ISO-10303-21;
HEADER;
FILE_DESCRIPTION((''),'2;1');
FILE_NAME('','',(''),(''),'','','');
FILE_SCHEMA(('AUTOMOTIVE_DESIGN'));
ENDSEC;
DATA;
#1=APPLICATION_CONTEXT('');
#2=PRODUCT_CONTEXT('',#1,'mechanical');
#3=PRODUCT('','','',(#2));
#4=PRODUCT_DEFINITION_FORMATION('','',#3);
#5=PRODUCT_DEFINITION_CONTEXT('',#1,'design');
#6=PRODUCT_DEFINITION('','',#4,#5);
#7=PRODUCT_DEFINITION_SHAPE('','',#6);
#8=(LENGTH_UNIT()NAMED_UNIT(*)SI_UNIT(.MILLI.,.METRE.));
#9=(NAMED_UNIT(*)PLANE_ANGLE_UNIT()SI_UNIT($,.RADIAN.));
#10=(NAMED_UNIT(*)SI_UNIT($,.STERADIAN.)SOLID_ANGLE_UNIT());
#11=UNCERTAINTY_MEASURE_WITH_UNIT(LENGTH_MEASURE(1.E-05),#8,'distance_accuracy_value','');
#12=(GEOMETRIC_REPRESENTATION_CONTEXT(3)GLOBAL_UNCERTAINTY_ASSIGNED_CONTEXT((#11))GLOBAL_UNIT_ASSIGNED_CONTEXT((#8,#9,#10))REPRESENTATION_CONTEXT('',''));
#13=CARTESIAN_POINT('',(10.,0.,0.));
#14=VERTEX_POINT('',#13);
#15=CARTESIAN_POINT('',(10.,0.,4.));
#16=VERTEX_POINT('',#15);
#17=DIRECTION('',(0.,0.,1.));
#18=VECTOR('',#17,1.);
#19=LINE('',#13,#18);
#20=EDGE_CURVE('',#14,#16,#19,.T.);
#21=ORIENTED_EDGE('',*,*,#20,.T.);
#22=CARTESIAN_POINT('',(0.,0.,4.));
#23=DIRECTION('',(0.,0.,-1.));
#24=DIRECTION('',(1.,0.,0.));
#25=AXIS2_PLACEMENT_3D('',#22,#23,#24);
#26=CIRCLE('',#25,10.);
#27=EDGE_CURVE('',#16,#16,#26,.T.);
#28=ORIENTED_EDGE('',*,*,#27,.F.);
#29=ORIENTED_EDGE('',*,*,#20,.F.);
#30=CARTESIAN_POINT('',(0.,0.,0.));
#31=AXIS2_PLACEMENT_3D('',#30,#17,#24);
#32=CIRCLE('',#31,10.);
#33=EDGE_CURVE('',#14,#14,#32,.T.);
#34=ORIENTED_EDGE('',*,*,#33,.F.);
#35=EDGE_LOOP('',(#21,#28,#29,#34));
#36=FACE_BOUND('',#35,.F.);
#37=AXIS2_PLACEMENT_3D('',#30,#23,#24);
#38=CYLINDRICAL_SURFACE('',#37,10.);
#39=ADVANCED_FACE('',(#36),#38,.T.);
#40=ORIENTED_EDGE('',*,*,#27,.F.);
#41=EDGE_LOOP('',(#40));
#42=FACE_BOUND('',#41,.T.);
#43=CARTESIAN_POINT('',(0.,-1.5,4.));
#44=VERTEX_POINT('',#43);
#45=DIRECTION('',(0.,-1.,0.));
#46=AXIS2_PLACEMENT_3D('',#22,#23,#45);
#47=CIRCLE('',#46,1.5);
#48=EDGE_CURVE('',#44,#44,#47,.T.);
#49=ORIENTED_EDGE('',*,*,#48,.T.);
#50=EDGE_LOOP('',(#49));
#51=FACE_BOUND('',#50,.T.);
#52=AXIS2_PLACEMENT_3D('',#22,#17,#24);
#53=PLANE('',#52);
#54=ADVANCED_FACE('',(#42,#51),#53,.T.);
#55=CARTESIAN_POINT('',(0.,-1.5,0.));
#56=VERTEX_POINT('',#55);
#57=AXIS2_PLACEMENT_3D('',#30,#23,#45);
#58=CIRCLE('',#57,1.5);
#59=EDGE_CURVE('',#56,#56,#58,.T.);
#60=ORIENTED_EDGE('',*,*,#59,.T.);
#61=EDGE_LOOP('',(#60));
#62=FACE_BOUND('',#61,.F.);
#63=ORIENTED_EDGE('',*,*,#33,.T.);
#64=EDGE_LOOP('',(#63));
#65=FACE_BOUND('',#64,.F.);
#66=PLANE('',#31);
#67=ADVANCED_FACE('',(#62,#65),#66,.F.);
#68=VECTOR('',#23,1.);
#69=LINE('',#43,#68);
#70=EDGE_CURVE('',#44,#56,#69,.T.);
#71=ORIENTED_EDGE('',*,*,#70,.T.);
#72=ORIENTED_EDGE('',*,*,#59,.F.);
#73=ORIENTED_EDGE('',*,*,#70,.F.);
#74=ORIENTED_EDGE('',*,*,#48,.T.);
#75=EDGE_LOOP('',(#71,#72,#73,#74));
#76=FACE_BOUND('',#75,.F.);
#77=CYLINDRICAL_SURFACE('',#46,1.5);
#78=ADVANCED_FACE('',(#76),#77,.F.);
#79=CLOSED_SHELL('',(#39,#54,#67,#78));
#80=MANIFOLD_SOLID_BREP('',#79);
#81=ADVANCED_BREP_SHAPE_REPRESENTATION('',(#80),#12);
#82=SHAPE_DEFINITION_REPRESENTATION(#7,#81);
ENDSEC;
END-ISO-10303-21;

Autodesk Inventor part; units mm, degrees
ref_plane "YZ Plane" through (0, 0, 0) normal (1, 0, 0) x (0, 1, 0)
ref_plane "XZ Plane" through (0, 0, 0) normal (0, 1, 0) x (-1, 0, 0)
ref_plane "XY Plane" through (0, 0, 0) normal (0, 0, 1) x (1, 0, 0)
sketch "Skizze1" plane through (0, 0, 0) normal (0, 0, 1) x (1, 0, 0)
  line L0 (-14, 0) -> (14, 0) projected
  line L1 (0, -14) -> (0, 14) projected
  circle A0 centre (0, 0) radius 10
  dimension "d0" = 20
extrude "Extrusion1" add sketch "Skizze1" along normal blind 4
sketch "Skizze2" plane through (0, 0, 4) normal (0, 0, 1) x (1, 0, 0)
  point P0 (0, 0)
  point P1 (0, 0)
hole "Bohrung1" at (0, 0, 4) direction (0, 0, -1) diameter 3 end through all
properties part number "Abstandhalter 4mm" material "Stahl"
